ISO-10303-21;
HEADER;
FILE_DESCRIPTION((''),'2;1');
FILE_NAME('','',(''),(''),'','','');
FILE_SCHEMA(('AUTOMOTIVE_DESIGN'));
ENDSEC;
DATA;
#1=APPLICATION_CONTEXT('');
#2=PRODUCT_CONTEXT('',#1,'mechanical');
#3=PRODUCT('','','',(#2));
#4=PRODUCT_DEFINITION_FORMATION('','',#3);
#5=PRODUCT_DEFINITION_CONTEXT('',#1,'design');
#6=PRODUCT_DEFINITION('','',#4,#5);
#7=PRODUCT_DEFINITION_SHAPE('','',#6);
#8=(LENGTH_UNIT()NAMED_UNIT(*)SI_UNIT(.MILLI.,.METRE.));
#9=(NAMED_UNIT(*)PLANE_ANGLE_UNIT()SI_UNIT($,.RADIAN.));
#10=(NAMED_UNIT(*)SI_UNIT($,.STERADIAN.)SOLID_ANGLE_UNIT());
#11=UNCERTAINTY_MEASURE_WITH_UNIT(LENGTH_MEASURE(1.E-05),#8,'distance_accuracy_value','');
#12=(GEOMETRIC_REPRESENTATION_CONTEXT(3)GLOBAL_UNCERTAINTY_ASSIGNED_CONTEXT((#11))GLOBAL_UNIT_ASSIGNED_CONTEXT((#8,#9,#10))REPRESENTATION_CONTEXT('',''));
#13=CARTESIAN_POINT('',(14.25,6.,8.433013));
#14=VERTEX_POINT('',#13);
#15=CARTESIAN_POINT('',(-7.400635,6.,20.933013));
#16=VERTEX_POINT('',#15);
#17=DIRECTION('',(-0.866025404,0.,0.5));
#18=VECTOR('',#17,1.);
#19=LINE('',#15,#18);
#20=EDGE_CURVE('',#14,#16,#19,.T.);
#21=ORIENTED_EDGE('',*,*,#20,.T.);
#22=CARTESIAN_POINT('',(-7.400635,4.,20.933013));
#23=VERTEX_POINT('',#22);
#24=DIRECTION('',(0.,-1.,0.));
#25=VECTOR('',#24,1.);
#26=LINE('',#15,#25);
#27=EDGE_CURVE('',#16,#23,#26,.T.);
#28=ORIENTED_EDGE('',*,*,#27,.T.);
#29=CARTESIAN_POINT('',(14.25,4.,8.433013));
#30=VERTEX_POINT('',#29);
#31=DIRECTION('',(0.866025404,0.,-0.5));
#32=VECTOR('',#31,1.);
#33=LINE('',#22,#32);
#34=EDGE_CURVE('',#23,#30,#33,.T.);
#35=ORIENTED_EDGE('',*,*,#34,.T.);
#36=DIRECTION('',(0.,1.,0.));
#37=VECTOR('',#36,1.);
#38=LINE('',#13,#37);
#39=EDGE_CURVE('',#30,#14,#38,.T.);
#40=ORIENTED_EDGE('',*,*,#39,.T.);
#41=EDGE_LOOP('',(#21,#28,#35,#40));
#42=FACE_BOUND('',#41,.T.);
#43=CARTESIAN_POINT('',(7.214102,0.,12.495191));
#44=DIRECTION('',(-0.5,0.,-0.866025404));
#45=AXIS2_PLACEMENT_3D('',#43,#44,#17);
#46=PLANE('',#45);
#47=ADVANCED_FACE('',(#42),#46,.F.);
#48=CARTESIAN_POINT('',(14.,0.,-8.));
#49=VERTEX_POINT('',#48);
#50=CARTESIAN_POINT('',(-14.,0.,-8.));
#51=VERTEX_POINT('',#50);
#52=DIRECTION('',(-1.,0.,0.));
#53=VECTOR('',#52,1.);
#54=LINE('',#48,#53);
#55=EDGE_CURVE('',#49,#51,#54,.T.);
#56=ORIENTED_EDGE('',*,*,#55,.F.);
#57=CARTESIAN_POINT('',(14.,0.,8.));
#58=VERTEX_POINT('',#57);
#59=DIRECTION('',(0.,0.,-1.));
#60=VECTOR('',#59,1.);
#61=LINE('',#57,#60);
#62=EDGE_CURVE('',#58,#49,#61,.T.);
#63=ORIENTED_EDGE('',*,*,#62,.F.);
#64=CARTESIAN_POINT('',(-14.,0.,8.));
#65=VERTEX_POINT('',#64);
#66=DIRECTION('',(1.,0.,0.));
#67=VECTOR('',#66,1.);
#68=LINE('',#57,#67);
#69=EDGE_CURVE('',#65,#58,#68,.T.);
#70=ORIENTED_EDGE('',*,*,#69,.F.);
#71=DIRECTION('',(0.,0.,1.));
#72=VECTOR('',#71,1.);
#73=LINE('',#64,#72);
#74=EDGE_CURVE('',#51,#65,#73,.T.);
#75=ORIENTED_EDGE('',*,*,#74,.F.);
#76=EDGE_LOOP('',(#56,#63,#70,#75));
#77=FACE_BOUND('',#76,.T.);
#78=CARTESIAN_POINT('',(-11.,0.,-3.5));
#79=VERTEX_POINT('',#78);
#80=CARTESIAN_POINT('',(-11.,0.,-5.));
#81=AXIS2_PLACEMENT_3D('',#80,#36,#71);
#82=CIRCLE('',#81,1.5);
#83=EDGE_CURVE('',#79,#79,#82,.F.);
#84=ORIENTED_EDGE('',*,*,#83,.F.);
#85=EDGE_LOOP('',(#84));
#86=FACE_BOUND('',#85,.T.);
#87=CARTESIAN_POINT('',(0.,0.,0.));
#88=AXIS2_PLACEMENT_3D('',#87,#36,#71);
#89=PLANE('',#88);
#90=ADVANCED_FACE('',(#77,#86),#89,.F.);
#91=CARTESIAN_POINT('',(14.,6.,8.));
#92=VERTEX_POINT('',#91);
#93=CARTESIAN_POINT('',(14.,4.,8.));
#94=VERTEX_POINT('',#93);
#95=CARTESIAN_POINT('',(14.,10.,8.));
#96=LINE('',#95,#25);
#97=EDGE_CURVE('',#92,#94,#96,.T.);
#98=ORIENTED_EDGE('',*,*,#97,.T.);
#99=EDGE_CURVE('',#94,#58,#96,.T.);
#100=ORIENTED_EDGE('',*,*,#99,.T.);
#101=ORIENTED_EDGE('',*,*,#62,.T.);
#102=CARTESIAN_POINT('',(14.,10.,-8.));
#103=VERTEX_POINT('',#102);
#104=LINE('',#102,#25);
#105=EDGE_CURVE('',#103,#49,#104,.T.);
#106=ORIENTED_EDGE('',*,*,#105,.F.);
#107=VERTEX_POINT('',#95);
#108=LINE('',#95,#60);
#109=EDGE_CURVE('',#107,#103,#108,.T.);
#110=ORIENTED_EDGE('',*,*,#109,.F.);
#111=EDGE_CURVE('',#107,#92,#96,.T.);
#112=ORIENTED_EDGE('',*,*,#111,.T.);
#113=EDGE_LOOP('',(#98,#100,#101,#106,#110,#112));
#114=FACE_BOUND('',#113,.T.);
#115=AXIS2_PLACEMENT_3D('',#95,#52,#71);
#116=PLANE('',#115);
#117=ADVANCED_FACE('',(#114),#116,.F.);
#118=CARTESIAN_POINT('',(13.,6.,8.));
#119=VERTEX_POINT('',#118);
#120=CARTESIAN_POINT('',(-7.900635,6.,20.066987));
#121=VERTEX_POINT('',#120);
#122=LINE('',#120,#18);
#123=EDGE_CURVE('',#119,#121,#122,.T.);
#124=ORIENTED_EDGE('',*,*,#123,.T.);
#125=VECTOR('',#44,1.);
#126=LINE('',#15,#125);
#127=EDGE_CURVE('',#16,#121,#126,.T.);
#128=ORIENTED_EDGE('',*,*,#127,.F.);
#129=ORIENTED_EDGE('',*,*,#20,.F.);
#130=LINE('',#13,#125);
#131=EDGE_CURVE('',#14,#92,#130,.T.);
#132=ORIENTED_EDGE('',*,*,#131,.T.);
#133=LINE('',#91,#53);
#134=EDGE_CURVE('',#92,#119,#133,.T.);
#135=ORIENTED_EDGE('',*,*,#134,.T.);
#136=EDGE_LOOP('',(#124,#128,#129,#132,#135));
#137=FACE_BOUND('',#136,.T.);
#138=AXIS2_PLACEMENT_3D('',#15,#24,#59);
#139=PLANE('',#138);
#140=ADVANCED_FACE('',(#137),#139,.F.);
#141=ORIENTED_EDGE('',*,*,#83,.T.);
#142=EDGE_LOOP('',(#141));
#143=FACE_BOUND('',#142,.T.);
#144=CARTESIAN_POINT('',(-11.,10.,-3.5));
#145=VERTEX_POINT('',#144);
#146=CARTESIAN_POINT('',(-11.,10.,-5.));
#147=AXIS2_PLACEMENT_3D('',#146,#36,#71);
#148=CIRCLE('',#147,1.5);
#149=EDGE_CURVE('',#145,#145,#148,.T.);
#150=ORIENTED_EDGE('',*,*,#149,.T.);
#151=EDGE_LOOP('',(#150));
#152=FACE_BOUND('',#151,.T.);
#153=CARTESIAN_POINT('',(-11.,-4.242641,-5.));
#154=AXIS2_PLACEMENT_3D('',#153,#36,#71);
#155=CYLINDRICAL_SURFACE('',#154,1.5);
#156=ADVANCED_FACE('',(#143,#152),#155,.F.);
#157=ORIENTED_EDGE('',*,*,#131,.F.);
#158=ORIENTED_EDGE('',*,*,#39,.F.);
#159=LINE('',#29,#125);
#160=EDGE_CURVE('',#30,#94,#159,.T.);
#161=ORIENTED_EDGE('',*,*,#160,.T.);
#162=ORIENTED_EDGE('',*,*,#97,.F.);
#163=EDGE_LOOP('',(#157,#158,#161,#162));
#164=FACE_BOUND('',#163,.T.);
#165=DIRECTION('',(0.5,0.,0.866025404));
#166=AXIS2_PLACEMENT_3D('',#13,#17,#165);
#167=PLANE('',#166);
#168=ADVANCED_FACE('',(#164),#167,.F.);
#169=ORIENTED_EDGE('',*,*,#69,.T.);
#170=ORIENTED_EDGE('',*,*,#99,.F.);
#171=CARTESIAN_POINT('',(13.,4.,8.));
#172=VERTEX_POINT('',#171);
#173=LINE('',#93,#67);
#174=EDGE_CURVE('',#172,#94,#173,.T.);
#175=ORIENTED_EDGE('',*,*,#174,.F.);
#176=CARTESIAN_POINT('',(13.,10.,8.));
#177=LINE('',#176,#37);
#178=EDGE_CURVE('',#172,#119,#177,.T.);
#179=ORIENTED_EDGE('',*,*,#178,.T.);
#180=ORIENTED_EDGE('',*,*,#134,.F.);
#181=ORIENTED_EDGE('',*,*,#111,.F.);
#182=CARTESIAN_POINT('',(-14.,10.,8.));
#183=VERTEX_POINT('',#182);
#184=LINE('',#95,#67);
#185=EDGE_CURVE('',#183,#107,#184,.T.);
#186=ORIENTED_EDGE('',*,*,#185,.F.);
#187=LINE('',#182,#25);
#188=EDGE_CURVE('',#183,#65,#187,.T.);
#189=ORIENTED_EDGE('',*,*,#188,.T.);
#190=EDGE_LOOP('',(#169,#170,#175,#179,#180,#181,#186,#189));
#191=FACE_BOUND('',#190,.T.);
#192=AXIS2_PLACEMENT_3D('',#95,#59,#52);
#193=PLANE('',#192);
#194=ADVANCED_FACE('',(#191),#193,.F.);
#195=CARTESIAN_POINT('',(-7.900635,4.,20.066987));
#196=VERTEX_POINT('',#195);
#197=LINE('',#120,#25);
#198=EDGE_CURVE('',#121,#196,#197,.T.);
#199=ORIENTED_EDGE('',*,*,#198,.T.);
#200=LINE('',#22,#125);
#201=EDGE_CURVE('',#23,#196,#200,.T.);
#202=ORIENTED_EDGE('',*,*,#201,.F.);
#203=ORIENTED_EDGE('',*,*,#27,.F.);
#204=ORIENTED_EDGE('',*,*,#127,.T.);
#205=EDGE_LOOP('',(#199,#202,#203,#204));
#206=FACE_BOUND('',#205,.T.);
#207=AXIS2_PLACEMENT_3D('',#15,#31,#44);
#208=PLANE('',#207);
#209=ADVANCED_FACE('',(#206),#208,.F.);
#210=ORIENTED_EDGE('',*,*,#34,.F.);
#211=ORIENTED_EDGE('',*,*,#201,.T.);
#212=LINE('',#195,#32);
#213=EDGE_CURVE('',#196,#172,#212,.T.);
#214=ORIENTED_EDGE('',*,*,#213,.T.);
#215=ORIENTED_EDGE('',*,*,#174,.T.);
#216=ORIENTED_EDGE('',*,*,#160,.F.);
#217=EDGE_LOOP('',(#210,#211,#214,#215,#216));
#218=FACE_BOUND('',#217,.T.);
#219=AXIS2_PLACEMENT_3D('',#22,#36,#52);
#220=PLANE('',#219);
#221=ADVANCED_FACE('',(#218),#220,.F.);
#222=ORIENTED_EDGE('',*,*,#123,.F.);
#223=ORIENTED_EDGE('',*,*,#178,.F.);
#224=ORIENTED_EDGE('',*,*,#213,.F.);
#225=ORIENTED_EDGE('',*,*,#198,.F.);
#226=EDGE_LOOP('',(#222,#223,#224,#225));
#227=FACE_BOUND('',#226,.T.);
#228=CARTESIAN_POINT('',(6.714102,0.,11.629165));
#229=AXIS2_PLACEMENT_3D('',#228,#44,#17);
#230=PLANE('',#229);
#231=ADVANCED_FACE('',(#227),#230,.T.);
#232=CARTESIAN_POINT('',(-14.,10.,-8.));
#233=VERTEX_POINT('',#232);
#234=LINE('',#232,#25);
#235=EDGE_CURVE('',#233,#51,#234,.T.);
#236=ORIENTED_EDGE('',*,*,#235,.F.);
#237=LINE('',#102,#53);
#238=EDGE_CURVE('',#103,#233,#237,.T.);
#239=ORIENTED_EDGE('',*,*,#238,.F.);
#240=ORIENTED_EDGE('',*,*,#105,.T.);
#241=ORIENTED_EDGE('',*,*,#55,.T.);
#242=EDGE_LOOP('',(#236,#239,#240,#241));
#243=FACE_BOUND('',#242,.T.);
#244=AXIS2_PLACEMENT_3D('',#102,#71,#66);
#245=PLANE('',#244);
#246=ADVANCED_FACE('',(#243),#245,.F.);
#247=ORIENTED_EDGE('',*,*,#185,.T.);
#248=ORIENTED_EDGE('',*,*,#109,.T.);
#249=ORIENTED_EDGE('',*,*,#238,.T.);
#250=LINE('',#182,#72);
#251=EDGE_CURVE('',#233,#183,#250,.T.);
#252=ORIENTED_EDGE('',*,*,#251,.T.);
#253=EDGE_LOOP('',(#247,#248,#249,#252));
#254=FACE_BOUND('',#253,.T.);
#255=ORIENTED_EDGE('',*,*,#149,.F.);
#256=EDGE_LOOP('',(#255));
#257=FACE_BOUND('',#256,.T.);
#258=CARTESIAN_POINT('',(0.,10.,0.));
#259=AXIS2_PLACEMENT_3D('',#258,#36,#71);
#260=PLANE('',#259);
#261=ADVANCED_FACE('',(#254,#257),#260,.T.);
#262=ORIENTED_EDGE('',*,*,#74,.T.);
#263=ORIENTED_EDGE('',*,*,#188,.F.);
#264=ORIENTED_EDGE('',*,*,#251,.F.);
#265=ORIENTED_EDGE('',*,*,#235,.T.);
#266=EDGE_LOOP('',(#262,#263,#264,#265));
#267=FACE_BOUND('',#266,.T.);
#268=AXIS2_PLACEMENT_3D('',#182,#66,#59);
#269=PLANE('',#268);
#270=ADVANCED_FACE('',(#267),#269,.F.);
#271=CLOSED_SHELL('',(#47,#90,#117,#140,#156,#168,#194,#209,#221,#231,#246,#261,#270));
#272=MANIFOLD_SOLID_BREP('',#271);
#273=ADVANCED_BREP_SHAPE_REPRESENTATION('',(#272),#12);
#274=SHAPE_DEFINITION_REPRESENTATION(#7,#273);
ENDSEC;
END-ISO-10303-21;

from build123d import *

# Parameters (mm, degrees)
SKETCH1_W           = 28
SKETCH1_H           = 16
BOSS_EXTRUDE1_DEPTH = 10
SKETCH2_W           = 2
SKETCH2_H           = 25
BOSS_EXTRUDE2_DEPTH = 0.5
SKETCH3_R           = 1.5
CUT_EXTRUDE1_DEPTH  = 10


with BuildPart() as part:
    # Sketch1 → Boss-Extrude1 (new body)
    with BuildSketch(Plane(origin=(0, 0, 0), x_dir=(1, 0, 0), z_dir=(0, 1, 0))):
        Rectangle(SKETCH1_W, SKETCH1_H)
    extrude(amount=BOSS_EXTRUDE1_DEPTH)

    # Sketch2 → Boss-Extrude2 (add, symmetric)
    with BuildSketch(Plane(origin=(6.964101615, 0, 12.062177826), x_dir=(0, -1, 0), z_dir=(0.5, 0, 0.866025404))):
        with Locations((-5, -4.375644347)):
            Rectangle(SKETCH2_W, SKETCH2_H)
    extrude(amount=BOSS_EXTRUDE2_DEPTH, both=True)

    # Sketch3 → Cut-Extrude1 (cut)
    with BuildSketch(Plane(origin=(0, 10, 0), x_dir=(1, 0, 0), z_dir=(0, 1, 0))):
        with Locations((-11, 5)):
            Circle(SKETCH3_R)
    extrude(amount=-CUT_EXTRUDE1_DEPTH, mode=Mode.SUBTRACT)


solid = part.part
